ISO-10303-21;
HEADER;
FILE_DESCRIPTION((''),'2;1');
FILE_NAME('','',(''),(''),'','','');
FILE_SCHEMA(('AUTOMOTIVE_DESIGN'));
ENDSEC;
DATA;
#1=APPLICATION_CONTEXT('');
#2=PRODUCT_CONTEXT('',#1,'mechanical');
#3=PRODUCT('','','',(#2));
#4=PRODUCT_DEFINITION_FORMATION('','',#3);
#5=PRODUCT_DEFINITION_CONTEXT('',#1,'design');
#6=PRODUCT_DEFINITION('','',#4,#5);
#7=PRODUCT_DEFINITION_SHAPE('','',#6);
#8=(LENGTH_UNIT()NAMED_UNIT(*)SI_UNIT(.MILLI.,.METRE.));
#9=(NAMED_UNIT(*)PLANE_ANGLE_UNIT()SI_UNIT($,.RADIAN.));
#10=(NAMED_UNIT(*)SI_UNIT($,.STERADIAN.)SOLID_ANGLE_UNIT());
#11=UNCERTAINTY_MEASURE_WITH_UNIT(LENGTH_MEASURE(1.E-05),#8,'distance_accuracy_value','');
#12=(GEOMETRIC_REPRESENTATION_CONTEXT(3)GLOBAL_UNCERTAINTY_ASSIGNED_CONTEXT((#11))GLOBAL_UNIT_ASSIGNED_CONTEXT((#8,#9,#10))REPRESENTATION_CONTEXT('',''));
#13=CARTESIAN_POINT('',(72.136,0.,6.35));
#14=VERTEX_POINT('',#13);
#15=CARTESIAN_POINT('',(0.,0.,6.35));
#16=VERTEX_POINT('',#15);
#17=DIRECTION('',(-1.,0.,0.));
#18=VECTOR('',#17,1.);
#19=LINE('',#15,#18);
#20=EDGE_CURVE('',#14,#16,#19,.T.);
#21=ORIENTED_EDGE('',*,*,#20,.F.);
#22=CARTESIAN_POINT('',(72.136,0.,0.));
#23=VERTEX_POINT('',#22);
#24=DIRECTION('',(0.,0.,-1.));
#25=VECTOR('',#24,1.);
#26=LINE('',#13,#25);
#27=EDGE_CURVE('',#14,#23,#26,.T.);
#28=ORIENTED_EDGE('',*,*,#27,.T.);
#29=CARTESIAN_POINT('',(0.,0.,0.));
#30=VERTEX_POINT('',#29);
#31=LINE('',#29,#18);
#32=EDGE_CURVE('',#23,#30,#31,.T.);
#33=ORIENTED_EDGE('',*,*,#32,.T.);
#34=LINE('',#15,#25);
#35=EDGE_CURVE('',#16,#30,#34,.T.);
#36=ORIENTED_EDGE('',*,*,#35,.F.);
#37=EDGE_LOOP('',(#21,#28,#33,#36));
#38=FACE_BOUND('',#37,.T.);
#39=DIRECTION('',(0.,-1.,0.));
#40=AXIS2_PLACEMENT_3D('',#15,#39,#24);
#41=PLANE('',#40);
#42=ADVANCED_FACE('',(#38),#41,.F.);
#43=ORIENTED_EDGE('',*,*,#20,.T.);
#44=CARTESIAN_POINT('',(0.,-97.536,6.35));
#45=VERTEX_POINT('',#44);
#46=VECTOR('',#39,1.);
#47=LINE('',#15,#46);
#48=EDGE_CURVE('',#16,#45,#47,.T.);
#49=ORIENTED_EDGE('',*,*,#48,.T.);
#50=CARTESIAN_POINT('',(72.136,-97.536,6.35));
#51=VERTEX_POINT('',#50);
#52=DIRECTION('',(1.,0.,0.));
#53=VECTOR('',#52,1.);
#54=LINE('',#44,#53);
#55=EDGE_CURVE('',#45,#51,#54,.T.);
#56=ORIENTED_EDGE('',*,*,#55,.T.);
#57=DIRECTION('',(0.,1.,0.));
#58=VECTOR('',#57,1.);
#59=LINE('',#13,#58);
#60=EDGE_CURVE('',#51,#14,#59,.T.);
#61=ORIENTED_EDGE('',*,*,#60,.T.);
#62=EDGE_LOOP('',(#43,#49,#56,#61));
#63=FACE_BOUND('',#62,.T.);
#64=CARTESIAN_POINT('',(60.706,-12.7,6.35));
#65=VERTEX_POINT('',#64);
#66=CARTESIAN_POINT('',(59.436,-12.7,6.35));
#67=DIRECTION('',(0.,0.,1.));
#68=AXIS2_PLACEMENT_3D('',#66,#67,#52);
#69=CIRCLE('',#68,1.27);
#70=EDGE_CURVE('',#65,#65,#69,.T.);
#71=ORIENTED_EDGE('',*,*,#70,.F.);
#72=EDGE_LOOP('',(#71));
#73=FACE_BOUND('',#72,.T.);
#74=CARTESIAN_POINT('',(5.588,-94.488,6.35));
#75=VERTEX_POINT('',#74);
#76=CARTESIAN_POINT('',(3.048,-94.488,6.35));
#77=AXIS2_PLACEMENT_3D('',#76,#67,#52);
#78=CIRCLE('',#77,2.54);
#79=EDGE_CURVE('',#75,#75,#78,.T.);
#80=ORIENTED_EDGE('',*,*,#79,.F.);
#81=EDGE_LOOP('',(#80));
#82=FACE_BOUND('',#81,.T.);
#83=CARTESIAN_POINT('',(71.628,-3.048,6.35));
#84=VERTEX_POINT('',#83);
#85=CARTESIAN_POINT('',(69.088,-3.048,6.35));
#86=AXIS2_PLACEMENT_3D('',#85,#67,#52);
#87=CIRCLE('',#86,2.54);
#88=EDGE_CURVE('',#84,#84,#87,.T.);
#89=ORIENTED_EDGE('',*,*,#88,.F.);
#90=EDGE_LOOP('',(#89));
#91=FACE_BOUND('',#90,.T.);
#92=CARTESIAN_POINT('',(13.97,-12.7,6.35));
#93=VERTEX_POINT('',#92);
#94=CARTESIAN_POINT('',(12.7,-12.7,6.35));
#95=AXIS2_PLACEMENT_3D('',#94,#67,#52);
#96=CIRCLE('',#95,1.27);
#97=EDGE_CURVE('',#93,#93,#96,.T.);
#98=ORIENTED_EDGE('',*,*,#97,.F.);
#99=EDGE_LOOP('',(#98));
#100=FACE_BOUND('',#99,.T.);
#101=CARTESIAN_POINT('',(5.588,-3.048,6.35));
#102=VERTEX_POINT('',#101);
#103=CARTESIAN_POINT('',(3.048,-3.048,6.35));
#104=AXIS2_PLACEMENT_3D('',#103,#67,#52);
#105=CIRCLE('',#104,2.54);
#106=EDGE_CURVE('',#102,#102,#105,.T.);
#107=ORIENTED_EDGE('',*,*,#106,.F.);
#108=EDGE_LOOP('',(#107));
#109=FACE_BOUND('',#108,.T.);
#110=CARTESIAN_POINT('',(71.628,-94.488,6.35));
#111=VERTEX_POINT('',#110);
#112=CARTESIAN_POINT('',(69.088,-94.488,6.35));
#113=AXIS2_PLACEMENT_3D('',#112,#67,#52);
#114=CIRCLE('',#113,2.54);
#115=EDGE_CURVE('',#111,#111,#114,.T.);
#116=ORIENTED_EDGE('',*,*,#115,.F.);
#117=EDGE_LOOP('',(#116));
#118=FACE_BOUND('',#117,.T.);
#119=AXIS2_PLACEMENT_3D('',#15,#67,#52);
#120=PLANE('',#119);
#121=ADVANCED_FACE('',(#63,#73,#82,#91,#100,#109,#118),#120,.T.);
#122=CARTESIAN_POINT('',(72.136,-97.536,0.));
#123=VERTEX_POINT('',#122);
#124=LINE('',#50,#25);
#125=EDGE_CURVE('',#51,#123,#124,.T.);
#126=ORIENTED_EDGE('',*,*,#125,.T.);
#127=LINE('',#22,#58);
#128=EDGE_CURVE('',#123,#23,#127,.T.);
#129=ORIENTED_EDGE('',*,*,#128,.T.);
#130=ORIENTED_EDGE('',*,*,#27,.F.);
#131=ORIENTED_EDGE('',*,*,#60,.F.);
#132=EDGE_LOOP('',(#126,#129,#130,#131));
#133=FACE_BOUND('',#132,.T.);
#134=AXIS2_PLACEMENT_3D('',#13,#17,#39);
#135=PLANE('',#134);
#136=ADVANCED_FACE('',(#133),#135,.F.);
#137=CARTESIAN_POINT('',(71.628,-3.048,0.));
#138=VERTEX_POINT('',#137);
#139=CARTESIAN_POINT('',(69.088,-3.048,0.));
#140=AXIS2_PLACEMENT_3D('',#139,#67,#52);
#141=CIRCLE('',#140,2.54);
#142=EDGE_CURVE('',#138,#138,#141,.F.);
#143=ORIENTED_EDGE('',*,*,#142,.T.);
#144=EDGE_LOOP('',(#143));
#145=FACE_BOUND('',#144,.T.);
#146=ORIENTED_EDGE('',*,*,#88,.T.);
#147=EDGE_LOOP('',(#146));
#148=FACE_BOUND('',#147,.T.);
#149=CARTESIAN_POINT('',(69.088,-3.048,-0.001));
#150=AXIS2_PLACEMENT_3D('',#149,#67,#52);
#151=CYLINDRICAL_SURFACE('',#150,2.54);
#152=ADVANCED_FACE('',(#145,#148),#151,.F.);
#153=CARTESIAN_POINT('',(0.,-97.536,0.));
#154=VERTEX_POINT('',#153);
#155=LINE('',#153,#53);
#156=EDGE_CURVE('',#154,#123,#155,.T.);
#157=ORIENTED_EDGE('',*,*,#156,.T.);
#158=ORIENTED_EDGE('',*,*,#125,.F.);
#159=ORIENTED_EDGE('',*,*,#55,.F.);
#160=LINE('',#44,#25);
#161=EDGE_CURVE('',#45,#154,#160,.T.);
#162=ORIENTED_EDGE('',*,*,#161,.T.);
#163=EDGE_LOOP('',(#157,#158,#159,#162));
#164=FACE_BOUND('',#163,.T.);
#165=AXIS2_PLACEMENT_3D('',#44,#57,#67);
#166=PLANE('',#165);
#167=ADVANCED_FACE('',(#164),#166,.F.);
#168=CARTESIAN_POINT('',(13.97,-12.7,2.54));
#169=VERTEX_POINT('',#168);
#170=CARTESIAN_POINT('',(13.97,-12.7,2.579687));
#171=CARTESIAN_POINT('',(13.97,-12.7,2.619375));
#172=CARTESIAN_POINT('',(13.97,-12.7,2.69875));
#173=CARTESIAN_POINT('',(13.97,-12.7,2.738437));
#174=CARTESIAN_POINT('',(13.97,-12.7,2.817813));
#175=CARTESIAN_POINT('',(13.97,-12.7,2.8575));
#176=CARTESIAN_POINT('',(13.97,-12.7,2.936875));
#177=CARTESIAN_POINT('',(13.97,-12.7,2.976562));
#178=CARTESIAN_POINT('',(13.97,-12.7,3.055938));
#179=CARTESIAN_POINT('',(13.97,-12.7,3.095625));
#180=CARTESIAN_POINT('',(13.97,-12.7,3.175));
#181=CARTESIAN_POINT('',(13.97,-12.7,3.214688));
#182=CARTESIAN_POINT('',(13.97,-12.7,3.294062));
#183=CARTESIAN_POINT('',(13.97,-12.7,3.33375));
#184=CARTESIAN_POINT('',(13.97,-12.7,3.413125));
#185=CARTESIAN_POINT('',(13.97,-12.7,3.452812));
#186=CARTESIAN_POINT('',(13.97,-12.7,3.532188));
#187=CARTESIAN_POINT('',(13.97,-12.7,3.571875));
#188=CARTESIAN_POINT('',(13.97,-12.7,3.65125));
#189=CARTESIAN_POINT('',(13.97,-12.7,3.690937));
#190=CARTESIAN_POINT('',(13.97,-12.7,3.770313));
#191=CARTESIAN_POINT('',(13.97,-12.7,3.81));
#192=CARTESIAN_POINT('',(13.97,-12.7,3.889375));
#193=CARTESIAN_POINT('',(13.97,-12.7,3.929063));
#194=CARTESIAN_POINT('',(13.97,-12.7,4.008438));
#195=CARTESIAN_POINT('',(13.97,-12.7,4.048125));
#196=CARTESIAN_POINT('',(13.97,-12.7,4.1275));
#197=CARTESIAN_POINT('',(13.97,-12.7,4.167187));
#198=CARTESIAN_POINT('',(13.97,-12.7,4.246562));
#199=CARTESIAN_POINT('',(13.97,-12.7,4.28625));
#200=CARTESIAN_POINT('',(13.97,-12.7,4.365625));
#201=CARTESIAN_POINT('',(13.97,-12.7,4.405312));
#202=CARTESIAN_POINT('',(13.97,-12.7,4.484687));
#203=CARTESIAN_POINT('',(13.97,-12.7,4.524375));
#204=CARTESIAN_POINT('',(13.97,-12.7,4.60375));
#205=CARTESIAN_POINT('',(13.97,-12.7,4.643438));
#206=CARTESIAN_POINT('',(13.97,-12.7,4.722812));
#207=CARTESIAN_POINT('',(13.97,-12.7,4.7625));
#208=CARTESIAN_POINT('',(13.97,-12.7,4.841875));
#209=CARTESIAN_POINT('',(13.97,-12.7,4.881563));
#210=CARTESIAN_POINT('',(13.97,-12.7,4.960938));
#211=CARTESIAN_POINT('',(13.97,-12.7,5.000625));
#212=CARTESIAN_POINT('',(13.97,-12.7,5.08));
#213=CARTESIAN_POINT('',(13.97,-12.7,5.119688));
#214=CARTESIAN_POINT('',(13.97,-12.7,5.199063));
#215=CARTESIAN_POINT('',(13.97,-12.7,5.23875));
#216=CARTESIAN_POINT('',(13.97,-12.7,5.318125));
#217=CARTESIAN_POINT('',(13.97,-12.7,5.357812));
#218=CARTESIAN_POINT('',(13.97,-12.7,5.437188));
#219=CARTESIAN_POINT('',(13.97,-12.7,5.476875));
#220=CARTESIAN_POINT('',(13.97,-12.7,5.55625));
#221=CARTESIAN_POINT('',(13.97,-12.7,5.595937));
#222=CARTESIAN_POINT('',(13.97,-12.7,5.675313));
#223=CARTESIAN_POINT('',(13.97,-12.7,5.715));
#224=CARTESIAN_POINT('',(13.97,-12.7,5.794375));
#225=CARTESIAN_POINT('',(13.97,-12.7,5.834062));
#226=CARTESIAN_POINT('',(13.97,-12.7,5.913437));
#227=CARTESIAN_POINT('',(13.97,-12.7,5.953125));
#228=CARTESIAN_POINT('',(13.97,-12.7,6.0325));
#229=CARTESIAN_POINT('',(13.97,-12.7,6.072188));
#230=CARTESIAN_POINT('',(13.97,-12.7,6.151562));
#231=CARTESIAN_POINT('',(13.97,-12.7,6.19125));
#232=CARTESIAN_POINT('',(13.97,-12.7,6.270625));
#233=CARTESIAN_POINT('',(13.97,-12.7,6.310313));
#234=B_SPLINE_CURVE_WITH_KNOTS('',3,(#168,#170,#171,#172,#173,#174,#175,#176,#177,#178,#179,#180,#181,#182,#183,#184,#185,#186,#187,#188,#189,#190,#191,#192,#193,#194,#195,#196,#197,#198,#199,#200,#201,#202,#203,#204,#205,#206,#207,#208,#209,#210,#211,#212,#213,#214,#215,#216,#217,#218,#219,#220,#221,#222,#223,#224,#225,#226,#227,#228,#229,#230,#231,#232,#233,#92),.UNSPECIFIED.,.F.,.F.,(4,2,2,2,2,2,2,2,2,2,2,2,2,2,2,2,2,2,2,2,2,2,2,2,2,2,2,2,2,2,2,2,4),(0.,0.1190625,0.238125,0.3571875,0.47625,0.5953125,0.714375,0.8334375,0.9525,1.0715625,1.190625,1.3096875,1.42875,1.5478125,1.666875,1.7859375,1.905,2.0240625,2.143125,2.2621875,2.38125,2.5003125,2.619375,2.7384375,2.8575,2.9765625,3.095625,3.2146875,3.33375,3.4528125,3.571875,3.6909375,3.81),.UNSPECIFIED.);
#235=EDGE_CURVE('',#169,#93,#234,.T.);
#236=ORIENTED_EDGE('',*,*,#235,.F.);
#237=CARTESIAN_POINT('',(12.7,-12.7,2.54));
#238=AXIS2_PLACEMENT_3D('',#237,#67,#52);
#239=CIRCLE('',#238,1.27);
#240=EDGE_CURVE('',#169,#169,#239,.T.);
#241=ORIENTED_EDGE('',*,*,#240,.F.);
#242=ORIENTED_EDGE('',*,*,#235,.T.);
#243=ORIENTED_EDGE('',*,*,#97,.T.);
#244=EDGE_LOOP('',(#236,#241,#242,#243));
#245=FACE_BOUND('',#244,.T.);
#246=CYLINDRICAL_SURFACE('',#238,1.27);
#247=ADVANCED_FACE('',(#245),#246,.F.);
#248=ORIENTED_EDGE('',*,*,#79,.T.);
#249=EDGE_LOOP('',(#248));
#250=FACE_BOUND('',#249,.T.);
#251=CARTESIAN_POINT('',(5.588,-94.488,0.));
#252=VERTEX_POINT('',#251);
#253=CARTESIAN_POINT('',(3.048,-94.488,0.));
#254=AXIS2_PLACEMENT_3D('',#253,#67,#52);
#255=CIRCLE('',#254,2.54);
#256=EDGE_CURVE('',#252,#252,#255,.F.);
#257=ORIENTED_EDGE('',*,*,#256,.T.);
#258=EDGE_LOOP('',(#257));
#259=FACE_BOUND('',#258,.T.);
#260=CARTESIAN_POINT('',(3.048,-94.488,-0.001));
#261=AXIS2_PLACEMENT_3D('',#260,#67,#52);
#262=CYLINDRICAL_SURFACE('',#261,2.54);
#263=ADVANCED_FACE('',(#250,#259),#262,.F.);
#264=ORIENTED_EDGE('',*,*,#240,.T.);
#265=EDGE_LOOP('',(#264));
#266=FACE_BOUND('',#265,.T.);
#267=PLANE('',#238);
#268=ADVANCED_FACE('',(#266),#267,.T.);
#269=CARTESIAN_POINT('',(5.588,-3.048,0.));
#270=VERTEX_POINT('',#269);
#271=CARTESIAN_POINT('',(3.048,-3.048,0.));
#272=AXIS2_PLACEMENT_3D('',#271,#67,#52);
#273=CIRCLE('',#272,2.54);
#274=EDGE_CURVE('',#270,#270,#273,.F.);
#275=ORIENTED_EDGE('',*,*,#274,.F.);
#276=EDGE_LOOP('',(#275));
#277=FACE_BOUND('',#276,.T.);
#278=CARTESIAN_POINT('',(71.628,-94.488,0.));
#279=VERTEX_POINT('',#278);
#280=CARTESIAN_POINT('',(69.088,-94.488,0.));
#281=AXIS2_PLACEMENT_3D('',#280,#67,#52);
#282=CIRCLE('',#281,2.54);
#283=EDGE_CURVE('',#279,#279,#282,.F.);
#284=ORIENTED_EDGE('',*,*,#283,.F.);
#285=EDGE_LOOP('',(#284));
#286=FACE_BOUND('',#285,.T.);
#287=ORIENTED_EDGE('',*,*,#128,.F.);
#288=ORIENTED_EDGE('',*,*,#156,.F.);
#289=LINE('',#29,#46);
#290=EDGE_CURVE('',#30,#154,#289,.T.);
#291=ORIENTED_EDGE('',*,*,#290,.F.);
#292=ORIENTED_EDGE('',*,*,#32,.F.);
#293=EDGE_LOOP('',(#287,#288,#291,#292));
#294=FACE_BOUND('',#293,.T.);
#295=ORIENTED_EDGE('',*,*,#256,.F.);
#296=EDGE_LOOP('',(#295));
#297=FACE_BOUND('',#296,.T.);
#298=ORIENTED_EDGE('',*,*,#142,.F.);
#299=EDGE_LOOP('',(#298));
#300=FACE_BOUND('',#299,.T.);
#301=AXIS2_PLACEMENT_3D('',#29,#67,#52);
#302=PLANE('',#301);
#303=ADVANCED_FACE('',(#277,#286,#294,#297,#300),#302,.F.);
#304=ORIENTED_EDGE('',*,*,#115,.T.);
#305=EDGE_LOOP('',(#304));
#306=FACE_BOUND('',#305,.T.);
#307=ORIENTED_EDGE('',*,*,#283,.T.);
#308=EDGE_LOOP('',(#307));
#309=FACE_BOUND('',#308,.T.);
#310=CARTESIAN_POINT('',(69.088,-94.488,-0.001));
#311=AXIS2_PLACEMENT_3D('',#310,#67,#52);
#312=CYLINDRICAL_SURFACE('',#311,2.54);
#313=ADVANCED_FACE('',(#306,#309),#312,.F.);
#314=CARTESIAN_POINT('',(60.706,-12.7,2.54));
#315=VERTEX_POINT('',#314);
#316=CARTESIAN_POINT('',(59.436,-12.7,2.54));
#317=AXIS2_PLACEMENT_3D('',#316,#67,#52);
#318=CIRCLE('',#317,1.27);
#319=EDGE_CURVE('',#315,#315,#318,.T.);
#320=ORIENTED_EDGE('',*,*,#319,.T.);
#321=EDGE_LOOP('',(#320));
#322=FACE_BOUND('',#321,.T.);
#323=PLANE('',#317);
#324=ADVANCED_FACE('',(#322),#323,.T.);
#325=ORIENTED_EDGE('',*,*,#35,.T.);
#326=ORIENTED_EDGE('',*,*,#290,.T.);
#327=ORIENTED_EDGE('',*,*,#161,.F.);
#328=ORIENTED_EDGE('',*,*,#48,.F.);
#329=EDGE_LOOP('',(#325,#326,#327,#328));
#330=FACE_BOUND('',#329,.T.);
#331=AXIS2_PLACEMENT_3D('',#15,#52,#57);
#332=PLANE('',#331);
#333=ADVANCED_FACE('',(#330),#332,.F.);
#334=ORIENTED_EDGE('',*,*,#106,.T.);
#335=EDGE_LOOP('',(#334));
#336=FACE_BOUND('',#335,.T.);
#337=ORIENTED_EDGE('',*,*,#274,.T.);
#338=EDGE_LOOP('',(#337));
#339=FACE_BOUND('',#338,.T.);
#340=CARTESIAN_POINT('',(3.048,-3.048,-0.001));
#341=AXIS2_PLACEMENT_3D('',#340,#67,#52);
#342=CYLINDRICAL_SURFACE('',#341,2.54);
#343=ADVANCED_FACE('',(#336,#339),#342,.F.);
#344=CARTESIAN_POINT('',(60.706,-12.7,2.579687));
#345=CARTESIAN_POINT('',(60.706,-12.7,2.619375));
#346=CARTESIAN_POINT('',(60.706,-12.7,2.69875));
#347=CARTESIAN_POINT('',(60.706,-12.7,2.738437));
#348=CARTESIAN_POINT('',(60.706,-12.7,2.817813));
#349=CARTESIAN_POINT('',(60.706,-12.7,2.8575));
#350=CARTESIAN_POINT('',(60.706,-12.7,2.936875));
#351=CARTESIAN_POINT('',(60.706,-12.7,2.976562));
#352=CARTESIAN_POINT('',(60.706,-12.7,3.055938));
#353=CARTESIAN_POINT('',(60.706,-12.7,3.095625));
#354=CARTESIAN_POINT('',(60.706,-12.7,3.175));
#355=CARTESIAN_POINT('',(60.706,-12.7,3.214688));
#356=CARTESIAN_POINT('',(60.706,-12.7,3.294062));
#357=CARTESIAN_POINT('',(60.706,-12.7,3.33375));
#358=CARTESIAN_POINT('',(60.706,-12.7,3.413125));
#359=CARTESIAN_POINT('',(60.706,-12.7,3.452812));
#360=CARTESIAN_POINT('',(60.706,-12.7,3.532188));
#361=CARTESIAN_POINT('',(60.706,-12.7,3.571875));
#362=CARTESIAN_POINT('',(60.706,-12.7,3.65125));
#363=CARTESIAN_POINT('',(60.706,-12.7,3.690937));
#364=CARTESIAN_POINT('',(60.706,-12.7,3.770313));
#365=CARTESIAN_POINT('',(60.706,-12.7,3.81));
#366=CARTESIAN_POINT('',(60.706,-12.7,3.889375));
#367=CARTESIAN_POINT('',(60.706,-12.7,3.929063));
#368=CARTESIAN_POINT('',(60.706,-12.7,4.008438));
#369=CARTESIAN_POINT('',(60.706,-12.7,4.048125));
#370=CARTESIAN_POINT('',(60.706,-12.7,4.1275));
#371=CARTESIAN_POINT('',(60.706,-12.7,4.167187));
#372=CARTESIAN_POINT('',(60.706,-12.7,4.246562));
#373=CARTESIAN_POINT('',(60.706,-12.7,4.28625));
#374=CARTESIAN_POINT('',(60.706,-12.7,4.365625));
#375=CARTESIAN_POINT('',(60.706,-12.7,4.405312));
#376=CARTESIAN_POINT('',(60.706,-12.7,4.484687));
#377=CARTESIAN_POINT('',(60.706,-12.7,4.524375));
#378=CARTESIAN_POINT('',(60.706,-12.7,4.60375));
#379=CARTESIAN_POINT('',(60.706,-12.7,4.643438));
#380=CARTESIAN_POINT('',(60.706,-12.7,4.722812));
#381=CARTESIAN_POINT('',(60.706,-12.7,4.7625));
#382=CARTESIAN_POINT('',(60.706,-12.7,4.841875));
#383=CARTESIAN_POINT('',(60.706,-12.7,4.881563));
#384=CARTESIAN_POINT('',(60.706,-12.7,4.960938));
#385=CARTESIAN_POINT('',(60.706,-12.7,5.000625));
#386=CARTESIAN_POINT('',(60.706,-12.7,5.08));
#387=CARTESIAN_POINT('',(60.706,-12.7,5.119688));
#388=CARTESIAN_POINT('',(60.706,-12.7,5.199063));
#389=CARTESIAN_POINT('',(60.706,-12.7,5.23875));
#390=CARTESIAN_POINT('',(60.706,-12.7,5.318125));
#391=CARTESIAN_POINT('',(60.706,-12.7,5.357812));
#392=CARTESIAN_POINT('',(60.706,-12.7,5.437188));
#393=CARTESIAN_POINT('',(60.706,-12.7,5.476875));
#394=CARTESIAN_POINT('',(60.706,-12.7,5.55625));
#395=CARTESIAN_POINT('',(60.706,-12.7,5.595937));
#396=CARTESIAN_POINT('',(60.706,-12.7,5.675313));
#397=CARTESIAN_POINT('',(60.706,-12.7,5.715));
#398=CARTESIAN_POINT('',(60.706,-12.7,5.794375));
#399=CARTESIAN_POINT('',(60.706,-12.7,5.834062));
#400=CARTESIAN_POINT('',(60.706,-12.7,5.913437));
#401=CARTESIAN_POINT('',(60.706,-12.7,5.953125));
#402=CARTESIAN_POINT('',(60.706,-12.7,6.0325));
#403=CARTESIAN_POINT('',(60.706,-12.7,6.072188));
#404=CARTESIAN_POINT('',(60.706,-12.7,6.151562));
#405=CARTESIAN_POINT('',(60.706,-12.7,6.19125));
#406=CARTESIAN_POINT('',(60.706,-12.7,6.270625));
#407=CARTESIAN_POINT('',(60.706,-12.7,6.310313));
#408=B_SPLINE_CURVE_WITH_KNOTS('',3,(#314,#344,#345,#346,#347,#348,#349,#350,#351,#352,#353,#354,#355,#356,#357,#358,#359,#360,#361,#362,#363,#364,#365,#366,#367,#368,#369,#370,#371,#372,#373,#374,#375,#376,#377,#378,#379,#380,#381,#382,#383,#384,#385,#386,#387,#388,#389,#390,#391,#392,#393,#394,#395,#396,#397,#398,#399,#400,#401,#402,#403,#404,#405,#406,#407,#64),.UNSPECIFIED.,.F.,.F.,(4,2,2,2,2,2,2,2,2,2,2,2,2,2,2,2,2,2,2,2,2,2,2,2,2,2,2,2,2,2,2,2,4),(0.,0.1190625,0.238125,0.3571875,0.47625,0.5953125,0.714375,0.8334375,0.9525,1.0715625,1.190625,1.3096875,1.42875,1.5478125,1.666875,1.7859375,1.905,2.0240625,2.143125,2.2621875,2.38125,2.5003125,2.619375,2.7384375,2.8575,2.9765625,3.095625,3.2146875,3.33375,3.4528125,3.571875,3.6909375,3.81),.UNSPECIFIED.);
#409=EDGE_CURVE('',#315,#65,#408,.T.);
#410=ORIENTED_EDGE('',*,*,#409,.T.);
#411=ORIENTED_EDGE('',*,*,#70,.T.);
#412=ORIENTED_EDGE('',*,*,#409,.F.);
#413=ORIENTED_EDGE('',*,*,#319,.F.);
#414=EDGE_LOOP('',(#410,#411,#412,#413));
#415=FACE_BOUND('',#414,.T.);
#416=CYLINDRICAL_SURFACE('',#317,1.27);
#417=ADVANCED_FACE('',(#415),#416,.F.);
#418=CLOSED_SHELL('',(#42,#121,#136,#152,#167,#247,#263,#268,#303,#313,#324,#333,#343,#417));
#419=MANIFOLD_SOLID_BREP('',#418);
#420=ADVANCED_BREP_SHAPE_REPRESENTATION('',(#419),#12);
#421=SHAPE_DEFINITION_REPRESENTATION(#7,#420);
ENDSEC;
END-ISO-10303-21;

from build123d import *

# Parameters (mm, degrees)
SKETCH1_W           = 72.136
SKETCH1_H           = 97.536
BOSS_EXTRUDE1_DEPTH = 6.35
CUT_EXTRUDE4_REACH  = 123.479
SKETCH12_R          = 2.54
SKETCH13_R          = 1.27
CUT_EXTRUDE5_DEPTH  = 3.81


with BuildPart() as part:
    # Sketch1 → Boss-Extrude1 (new body)
    with BuildSketch(Plane.XY):
        with Locations((36.068, -48.768)):
            Rectangle(SKETCH1_W, SKETCH1_H)
    extrude(amount=BOSS_EXTRUDE1_DEPTH)

    # Sketch12 → Cut-Extrude4 (cut, up to next)
    with BuildSketch(Plane.XY.offset(6.35), mode=Mode.PRIVATE) as cut_extrude4_sk1:
        with Locations((3.048, -3.048)):
            Circle(SKETCH12_R)
    cut_extrude4_tool1 = extrude(cut_extrude4_sk1.sketch, amount=-CUT_EXTRUDE4_REACH, mode=Mode.PRIVATE) & part.part
    # Sketch12 → Cut-Extrude4 (cut, up to next)
    with BuildSketch(Plane.XY.offset(6.35), mode=Mode.PRIVATE) as cut_extrude4_sk2:
        with Locations((69.088, -3.048)):
            Circle(SKETCH12_R)
    cut_extrude4_tool2 = extrude(cut_extrude4_sk2.sketch, amount=-CUT_EXTRUDE4_REACH, mode=Mode.PRIVATE) & part.part
    # Sketch12 → Cut-Extrude4 (cut, up to next)
    with BuildSketch(Plane.XY.offset(6.35), mode=Mode.PRIVATE) as cut_extrude4_sk3:
        with Locations((69.088, -94.488)):
            Circle(SKETCH12_R)
    cut_extrude4_tool3 = extrude(cut_extrude4_sk3.sketch, amount=-CUT_EXTRUDE4_REACH, mode=Mode.PRIVATE) & part.part
    # Sketch12 → Cut-Extrude4 (cut, up to next)
    with BuildSketch(Plane.XY.offset(6.35), mode=Mode.PRIVATE) as cut_extrude4_sk4:
        with Locations((3.048, -94.488)):
            Circle(SKETCH12_R)
    cut_extrude4_tool4 = extrude(cut_extrude4_sk4.sketch, amount=-CUT_EXTRUDE4_REACH, mode=Mode.PRIVATE) & part.part
    add(cut_extrude4_tool1.solids().sort_by_distance((3.048, -3.048, 6.35))[0], mode=Mode.SUBTRACT)
    add(cut_extrude4_tool2.solids().sort_by_distance((69.088, -3.048, 6.35))[0], mode=Mode.SUBTRACT)
    add(cut_extrude4_tool3.solids().sort_by_distance((69.088, -94.488, 6.35))[0], mode=Mode.SUBTRACT)
    add(cut_extrude4_tool4.solids().sort_by_distance((3.048, -94.488, 6.35))[0], mode=Mode.SUBTRACT)

    # Sketch13 → Cut-Extrude5 (cut)
    with BuildSketch(Plane.XY.offset(6.35)):
        with Locations((12.7, -12.7)):
            Circle(SKETCH13_R)
        with Locations((59.436, -12.7)):
            Circle(SKETCH13_R)
    extrude(amount=-CUT_EXTRUDE5_DEPTH, mode=Mode.SUBTRACT)


solid = part.part
